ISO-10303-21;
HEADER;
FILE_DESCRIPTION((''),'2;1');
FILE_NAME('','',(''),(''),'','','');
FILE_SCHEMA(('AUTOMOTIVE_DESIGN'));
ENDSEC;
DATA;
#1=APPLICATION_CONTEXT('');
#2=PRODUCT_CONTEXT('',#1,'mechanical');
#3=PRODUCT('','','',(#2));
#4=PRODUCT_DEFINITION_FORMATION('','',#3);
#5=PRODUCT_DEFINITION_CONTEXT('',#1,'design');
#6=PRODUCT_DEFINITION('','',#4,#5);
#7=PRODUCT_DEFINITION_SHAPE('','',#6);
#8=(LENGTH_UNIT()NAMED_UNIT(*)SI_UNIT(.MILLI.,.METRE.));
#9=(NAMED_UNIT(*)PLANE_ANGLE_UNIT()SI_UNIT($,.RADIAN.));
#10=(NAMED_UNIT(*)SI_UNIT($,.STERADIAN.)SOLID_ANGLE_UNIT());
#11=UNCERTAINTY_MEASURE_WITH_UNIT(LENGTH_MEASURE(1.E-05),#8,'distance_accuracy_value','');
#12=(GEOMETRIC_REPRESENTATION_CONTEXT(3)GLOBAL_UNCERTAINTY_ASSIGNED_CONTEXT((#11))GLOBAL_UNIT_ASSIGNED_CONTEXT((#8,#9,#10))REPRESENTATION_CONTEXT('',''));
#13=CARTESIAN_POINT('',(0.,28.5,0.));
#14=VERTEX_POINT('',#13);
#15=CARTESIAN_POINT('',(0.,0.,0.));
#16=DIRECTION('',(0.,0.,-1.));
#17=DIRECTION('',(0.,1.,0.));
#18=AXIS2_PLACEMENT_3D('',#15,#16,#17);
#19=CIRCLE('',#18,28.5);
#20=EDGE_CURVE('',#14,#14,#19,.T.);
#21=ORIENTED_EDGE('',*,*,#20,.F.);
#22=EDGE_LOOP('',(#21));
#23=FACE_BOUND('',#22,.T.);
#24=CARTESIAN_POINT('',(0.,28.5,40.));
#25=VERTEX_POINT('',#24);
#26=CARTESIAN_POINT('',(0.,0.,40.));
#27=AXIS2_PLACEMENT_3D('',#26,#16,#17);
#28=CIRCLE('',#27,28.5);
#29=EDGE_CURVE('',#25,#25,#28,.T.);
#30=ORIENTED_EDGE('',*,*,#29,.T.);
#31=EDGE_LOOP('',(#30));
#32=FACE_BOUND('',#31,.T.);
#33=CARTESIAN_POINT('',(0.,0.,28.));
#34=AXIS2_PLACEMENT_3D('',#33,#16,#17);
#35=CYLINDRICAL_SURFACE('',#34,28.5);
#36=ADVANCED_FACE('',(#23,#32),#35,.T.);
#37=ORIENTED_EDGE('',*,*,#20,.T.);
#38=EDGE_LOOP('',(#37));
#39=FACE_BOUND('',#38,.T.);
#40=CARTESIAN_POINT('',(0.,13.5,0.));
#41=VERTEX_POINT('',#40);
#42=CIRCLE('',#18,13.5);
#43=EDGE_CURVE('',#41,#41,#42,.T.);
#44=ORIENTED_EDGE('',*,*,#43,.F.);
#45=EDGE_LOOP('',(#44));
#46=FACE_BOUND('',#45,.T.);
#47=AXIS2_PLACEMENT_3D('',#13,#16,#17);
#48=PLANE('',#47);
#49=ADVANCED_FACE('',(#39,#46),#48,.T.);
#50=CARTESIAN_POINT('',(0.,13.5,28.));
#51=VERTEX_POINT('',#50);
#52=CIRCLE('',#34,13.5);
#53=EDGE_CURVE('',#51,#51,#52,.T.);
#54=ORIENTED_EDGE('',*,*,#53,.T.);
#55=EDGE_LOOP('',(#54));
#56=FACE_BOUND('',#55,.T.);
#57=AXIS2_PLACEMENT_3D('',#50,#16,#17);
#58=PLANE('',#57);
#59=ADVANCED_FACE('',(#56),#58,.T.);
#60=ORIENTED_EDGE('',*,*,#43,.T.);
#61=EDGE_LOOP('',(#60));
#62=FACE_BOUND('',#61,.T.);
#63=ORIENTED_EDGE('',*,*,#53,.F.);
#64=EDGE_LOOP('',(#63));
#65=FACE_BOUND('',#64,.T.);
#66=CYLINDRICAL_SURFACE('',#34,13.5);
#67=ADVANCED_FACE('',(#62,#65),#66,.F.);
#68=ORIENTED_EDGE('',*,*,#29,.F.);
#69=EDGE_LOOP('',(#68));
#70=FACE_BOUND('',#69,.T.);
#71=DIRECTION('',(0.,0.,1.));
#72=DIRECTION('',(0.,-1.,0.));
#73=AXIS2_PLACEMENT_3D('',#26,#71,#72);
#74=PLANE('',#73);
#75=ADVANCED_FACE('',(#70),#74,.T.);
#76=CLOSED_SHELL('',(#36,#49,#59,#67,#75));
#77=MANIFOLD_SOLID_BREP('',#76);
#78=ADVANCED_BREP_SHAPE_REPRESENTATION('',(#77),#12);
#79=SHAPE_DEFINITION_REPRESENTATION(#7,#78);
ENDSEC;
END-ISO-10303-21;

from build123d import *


with BuildPart() as part:
    # Esquisse1 → Révolution1 (revolve)
    with BuildSketch(Plane(origin=(0, 0, 0), x_dir=(0, 0, -1), z_dir=(1, 0, 0))):
        Polygon((-40, 0), (-40, 28.5), (0, 28.5), (0, 13.5), (-28, 13.5), (-28, 0), align=None)
    revolve(axis=Axis((0, 0, 28), (0, 0, 1)))


solid = part.part
